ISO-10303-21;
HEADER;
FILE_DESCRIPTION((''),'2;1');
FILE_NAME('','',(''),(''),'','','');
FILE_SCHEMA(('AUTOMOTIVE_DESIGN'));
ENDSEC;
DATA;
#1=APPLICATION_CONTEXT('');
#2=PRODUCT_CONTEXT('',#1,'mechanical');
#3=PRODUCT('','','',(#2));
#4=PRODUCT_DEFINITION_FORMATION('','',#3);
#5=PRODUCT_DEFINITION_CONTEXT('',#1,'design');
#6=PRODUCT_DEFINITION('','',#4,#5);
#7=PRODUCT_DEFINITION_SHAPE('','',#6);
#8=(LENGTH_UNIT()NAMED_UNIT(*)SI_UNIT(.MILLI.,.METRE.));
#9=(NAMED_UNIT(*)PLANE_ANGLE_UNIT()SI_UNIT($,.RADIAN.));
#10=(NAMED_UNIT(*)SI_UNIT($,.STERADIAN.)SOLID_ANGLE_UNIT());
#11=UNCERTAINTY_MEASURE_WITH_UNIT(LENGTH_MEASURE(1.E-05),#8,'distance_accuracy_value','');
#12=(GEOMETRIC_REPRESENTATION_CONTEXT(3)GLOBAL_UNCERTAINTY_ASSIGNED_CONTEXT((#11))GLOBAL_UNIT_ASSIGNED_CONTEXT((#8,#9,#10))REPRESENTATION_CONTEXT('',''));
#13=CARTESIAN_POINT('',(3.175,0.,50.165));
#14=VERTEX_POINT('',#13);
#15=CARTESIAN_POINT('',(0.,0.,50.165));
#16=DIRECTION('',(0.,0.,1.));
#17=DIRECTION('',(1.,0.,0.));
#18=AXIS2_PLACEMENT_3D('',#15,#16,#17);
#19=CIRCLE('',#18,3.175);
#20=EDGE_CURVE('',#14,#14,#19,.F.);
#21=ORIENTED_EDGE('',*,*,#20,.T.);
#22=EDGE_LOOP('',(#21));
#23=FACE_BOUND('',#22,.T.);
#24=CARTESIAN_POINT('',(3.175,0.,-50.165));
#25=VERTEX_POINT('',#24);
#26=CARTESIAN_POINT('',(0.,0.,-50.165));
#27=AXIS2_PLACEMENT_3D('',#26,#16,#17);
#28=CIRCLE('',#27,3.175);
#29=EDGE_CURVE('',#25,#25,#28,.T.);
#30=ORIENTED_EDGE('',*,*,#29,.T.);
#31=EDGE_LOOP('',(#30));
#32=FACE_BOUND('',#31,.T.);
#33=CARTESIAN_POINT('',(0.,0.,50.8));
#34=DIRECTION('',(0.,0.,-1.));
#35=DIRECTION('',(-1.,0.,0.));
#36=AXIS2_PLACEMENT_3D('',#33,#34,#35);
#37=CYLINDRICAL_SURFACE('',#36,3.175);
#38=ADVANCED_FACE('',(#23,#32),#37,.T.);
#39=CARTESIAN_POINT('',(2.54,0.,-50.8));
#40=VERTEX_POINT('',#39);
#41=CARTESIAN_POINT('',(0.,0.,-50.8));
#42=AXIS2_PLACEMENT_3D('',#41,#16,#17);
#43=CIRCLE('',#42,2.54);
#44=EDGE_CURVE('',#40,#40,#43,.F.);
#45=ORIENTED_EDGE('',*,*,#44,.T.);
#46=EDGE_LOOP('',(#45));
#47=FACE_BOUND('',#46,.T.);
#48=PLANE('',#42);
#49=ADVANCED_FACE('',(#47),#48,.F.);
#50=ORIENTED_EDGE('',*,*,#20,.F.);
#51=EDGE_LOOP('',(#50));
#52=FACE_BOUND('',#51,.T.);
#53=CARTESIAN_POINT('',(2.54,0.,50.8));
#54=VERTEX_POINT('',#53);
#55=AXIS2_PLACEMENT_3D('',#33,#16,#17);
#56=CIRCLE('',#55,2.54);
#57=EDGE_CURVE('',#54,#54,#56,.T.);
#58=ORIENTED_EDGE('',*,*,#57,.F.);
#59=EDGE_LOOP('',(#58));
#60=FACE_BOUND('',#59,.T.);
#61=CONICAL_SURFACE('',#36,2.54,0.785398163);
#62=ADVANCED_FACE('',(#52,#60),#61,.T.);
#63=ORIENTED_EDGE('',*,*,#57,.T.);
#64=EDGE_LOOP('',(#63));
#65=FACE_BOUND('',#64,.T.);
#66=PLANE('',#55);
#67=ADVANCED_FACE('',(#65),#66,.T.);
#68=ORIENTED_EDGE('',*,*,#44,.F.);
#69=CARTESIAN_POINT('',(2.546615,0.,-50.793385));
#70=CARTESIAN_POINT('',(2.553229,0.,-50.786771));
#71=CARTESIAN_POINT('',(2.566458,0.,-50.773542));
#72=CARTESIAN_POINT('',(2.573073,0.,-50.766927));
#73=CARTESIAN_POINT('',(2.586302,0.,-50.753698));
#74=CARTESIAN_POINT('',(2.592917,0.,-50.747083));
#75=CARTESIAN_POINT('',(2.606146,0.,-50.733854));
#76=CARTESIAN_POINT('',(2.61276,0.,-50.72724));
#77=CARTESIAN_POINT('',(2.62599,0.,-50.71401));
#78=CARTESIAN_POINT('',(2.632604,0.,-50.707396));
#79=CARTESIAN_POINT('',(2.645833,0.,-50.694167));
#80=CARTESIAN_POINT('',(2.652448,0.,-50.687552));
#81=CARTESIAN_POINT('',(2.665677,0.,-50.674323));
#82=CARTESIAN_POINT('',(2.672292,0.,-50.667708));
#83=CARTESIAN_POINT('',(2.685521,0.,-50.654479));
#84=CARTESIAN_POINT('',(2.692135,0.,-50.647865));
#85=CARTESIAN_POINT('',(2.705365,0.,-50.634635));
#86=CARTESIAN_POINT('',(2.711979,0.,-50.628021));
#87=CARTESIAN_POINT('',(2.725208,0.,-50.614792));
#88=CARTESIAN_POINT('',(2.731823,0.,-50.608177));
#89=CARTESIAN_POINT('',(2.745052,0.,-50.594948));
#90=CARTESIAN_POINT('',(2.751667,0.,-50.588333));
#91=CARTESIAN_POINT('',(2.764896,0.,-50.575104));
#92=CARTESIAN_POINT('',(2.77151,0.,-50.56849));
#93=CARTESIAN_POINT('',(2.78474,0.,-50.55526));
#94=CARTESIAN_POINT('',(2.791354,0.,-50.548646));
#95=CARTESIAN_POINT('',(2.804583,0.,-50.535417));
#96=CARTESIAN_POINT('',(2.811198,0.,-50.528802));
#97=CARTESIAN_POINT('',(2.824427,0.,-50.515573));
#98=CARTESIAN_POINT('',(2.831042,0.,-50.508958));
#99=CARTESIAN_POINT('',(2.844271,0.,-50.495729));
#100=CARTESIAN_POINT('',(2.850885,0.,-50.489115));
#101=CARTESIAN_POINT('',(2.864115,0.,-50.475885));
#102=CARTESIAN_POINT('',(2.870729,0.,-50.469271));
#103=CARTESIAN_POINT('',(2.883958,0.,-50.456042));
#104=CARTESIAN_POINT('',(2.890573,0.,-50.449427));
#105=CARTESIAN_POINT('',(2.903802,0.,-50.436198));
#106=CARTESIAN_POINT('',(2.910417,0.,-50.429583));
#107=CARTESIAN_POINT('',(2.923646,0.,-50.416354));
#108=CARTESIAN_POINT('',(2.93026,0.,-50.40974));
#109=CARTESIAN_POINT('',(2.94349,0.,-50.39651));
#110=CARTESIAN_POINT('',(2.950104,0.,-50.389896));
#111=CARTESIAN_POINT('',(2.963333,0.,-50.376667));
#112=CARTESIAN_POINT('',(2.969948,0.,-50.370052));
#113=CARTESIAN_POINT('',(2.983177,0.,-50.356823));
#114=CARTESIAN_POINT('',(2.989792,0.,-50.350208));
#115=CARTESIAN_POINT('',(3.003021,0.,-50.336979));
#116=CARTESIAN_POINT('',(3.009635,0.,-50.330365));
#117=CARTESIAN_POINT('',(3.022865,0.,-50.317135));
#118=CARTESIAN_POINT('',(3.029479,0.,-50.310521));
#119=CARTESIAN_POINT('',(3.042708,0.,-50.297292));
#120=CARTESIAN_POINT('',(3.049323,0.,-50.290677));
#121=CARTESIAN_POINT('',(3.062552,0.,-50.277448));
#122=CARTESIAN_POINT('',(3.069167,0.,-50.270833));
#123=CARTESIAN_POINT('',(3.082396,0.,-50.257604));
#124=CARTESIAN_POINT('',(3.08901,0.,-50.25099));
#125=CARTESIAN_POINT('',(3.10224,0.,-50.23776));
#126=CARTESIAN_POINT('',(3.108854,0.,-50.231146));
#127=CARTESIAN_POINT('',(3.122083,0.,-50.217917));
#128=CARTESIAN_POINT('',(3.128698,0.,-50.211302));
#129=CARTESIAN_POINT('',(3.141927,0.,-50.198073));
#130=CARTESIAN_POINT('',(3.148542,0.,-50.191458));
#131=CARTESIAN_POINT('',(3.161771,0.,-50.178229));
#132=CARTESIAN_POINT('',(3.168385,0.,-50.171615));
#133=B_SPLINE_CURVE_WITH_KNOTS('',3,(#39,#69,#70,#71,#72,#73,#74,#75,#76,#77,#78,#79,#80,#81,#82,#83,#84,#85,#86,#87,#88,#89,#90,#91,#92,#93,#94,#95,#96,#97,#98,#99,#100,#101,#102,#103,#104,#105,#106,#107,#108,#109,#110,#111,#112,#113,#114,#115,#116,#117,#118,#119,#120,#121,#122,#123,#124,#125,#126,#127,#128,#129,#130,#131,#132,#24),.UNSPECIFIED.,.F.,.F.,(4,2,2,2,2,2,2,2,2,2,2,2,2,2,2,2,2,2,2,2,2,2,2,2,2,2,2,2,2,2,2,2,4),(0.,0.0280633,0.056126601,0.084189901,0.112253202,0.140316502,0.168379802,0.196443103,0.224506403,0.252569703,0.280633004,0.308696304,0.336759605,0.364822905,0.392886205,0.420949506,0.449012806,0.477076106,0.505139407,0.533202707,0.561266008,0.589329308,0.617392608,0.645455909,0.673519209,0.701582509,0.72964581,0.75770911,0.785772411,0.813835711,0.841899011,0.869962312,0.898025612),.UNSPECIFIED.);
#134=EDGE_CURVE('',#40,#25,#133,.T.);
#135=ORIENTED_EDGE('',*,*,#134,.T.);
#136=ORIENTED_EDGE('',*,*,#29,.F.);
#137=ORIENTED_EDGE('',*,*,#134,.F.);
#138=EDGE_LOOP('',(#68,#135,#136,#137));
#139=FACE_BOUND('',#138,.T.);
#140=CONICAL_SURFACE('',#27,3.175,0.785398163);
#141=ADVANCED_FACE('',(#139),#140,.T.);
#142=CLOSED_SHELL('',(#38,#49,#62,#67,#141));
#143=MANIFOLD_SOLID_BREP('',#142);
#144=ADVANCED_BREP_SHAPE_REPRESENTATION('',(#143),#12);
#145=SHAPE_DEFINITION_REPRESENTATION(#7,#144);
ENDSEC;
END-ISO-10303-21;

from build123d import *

# Parameters (mm, degrees)
SKETCH3_R           = 3.175
BOSS_EXTRUDE1_DEPTH = 50.8
CHAMFER1_SIZE       = 0.635


with BuildPart() as part:
    # Sketch3 → Boss-Extrude1 (new, symmetric)
    with BuildSketch(Plane.XY):
        Circle(SKETCH3_R)
    extrude(amount=BOSS_EXTRUDE1_DEPTH, both=True)

    # Chamfer1
    chamfer1_edges = [part.edges().sort_by_distance(p)[0] for p in [
        (-3.175, 0, -50.8),
        (-3.175, 0, 50.8),
    ]]
    chamfer(chamfer1_edges, length=CHAMFER1_SIZE)


solid = part.part
